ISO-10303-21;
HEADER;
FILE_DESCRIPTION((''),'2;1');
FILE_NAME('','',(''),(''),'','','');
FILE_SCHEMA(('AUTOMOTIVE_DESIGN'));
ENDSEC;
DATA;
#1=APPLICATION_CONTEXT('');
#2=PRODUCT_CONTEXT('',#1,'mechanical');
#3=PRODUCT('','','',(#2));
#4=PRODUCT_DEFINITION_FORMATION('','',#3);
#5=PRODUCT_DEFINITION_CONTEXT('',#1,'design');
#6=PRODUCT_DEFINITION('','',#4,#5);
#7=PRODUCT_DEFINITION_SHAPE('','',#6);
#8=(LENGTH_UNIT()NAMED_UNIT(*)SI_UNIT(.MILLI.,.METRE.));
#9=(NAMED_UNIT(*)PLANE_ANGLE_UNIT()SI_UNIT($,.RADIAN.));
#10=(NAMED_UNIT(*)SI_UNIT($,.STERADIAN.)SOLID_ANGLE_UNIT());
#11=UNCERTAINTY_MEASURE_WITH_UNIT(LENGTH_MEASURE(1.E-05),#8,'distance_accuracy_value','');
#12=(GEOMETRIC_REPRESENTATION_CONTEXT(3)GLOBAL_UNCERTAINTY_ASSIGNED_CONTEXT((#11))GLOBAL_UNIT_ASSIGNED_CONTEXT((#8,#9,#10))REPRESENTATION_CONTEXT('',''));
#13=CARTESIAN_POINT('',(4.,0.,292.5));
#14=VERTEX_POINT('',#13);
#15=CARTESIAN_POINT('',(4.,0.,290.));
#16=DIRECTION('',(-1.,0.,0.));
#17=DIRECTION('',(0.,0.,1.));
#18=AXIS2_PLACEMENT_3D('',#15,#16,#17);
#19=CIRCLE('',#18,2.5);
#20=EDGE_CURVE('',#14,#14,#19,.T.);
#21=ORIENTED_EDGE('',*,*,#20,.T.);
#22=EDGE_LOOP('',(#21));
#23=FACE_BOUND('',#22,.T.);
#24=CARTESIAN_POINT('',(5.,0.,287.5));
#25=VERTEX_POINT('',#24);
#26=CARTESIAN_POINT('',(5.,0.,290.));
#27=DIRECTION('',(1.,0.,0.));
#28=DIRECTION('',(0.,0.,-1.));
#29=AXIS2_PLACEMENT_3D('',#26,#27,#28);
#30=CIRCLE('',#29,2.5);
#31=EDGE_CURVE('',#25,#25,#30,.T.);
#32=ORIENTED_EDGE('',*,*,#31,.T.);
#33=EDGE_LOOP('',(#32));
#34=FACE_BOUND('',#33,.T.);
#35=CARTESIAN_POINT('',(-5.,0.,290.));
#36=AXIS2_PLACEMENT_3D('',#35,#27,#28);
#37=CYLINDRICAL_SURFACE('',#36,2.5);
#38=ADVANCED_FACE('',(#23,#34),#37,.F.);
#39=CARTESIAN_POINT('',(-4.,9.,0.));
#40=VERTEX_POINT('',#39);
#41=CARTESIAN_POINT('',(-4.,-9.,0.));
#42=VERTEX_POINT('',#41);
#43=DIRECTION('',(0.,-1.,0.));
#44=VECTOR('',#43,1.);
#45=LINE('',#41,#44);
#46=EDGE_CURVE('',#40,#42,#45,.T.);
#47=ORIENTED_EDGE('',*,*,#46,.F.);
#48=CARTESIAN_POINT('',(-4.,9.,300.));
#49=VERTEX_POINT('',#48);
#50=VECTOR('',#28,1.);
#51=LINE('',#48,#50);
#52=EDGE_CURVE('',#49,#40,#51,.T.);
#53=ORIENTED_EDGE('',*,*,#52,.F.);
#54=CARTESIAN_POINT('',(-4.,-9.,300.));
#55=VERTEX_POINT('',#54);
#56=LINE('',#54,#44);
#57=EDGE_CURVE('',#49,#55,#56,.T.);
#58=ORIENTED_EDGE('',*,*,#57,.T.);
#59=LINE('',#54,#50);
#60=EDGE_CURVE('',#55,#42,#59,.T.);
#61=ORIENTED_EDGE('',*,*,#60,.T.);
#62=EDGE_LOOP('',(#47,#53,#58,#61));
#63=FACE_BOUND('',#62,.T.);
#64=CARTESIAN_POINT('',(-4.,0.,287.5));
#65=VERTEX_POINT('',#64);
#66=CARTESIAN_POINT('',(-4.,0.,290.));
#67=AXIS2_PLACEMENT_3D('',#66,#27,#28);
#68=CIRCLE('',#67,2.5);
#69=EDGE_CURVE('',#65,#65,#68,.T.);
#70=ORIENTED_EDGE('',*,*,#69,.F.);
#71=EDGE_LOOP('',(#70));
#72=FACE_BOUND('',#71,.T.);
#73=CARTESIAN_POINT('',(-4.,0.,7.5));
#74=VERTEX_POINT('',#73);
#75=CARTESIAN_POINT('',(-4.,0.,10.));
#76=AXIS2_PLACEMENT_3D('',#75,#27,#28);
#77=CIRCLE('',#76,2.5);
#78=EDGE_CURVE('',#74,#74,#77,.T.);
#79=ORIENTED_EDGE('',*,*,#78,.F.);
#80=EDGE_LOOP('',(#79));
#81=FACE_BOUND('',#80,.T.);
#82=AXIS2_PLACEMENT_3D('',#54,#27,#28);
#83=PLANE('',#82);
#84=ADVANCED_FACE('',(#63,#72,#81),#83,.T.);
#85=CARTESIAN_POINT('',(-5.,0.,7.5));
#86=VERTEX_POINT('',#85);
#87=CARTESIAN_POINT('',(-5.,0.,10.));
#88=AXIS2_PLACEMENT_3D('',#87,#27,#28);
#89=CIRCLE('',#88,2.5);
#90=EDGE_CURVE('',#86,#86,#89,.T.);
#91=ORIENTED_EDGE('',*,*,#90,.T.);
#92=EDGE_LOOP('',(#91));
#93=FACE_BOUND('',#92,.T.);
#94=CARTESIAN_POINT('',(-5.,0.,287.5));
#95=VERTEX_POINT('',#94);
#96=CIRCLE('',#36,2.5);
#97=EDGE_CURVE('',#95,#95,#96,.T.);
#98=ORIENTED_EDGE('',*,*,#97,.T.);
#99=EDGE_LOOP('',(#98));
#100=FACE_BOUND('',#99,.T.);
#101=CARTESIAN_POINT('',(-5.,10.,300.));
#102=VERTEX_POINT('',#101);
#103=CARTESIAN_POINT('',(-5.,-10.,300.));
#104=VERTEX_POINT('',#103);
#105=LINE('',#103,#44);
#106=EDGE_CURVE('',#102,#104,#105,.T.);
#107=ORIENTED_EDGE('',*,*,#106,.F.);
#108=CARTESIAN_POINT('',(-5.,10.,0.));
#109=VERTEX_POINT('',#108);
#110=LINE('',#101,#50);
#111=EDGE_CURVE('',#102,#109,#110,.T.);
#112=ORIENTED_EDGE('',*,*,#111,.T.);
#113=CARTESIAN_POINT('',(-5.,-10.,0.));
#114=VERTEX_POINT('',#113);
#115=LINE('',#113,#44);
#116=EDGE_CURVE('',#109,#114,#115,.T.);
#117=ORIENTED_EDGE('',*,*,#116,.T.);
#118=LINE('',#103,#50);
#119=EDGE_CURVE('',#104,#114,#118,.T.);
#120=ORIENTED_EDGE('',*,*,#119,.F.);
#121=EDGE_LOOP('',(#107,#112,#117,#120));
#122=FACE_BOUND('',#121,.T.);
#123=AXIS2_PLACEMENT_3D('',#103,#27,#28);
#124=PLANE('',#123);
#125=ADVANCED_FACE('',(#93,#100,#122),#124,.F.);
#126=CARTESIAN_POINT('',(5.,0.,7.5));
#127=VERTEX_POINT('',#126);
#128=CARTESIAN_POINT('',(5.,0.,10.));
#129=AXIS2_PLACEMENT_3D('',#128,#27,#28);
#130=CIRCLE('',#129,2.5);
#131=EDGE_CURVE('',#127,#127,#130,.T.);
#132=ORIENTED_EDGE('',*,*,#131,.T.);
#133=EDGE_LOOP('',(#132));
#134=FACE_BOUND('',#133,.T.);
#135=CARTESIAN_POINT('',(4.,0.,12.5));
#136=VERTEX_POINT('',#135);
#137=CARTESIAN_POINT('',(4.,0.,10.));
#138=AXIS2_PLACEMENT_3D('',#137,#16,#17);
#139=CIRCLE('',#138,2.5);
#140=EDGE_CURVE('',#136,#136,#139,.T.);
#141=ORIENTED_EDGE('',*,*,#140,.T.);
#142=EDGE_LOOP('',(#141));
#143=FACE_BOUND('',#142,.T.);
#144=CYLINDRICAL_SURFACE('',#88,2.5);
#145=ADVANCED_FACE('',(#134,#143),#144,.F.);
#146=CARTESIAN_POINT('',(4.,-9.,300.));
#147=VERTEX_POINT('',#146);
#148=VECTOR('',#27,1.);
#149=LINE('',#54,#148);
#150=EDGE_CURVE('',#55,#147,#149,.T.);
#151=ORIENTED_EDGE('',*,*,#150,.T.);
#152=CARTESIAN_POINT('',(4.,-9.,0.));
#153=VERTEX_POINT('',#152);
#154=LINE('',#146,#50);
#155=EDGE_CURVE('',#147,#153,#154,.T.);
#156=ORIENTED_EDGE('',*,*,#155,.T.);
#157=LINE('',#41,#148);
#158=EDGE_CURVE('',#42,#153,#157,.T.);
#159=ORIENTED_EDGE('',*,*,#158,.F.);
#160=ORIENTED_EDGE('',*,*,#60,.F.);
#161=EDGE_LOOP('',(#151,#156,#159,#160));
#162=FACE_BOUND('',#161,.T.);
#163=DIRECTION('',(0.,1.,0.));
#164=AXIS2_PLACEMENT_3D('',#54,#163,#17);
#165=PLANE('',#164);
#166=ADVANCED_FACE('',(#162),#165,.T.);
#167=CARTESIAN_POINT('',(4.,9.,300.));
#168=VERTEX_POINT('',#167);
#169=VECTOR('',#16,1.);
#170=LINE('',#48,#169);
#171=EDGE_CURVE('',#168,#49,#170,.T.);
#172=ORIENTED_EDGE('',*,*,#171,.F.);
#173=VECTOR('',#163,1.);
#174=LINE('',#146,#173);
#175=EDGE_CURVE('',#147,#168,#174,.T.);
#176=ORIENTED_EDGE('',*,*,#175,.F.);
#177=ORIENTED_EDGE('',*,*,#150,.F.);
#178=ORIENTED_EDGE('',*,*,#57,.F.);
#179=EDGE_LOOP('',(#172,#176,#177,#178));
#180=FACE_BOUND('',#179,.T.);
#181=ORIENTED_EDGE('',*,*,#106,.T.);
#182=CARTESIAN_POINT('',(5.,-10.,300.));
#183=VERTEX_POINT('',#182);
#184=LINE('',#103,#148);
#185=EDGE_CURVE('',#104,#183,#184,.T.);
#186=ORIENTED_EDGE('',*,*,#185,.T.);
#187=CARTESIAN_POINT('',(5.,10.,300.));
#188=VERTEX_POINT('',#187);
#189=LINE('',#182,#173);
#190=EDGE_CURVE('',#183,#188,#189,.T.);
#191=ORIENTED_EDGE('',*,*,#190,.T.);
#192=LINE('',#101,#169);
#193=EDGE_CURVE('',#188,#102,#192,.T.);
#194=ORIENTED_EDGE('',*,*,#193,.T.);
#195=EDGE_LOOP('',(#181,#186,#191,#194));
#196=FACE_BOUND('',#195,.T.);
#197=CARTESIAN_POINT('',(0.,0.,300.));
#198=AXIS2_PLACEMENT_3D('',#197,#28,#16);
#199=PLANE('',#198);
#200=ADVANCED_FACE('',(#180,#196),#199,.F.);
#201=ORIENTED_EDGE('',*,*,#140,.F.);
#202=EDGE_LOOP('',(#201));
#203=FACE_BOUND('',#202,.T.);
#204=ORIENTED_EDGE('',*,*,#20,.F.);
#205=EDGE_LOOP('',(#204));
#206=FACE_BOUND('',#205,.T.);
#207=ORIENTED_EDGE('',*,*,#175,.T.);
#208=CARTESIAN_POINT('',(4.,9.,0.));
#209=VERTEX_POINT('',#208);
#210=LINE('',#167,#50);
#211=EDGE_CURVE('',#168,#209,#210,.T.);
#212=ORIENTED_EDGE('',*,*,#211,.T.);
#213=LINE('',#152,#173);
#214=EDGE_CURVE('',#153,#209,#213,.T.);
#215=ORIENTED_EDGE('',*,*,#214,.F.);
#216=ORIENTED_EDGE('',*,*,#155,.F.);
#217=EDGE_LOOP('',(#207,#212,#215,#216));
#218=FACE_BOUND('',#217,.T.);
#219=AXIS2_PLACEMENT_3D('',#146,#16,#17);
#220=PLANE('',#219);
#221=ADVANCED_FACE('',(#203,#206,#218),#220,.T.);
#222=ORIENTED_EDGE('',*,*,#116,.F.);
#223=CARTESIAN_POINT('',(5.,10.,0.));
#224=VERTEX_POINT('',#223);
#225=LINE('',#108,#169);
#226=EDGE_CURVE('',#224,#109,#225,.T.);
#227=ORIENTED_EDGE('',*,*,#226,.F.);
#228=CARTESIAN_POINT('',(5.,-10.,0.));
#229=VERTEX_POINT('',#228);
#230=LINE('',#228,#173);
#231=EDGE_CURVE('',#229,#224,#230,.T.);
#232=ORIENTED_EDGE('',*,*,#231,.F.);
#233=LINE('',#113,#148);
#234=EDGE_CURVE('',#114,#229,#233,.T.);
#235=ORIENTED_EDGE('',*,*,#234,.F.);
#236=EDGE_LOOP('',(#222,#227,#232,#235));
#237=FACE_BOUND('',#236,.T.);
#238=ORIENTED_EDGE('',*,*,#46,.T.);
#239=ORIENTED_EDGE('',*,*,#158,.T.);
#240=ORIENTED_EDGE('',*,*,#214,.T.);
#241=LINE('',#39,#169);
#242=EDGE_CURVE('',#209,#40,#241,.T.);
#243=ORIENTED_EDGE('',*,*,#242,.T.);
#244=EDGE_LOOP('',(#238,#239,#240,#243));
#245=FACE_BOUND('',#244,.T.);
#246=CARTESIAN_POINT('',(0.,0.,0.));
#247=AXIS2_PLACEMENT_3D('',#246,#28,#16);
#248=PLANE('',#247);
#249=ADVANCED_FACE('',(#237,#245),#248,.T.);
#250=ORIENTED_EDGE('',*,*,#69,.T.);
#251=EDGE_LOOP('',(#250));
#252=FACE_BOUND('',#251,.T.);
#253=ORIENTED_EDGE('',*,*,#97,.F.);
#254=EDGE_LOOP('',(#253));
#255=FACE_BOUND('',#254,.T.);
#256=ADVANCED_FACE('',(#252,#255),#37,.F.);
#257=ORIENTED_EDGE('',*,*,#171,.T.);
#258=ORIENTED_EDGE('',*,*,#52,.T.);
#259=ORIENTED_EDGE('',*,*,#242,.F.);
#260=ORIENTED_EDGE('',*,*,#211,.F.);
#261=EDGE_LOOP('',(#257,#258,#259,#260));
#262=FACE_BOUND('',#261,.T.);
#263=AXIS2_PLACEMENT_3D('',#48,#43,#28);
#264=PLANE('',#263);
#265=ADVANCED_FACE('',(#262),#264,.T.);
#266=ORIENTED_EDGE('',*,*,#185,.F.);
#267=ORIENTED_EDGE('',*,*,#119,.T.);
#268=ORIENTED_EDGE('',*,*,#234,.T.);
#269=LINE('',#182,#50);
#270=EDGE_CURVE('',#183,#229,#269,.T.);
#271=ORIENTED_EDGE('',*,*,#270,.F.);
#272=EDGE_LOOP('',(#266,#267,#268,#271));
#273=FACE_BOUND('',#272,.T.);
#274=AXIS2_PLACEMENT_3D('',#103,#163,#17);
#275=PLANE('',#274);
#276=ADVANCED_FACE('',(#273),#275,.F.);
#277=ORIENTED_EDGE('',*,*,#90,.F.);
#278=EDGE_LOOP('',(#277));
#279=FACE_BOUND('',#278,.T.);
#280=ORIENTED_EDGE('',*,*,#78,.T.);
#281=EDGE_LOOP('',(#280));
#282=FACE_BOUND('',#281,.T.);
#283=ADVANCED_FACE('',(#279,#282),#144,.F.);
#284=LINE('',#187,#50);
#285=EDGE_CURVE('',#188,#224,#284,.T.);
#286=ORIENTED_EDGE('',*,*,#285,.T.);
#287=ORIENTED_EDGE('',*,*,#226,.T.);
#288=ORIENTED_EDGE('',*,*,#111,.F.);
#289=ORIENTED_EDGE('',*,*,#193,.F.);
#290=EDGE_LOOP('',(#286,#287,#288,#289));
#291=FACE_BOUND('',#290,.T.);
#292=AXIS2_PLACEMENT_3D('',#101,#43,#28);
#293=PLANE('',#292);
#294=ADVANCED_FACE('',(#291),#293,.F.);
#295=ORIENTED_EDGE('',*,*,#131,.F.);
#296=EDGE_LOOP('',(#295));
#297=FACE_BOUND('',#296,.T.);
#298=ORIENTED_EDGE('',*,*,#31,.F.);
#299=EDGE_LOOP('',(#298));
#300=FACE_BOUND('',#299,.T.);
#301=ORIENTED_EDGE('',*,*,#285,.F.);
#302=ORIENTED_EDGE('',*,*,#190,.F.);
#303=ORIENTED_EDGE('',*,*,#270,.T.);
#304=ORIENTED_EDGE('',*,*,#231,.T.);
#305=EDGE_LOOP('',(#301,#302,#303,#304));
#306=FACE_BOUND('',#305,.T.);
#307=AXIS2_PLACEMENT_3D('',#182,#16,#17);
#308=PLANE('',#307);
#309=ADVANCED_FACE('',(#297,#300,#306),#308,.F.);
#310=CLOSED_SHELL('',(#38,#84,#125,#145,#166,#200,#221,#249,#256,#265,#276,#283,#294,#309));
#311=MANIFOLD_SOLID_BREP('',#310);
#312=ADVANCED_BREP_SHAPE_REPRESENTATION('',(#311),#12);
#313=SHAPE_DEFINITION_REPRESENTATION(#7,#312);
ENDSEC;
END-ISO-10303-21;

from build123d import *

# Parameters (mm, degrees)
SKETCH1_W           = 10
SKETCH1_H           = 20
SKETCH1_W_2         = 8
SKETCH1_H_2         = 18
BOSS_EXTRUDE1_DEPTH = 300
SKETCH2_R           = 2.5
CUT_EXTRUDE1_DEPTH  = 301.333148354


with BuildPart() as part:
    # Sketch1 → Boss-Extrude1 (new body)
    with BuildSketch(Plane.XY):
        Rectangle(SKETCH1_W, SKETCH1_H)
        Rectangle(SKETCH1_W_2, SKETCH1_H_2, mode=Mode.SUBTRACT)
    extrude(amount=BOSS_EXTRUDE1_DEPTH)

    # Sketch2 → Cut-Extrude1 (cut, through all)
    with BuildSketch(Plane(origin=(5, 0, 0), x_dir=(0, 0, -1), z_dir=(1, 0, 0))):
        with Locations((-10, 0)):
            Circle(SKETCH2_R)
        with Locations((-290, 0)):
            Circle(SKETCH2_R)
    extrude(amount=-CUT_EXTRUDE1_DEPTH, mode=Mode.SUBTRACT)


solid = part.part
